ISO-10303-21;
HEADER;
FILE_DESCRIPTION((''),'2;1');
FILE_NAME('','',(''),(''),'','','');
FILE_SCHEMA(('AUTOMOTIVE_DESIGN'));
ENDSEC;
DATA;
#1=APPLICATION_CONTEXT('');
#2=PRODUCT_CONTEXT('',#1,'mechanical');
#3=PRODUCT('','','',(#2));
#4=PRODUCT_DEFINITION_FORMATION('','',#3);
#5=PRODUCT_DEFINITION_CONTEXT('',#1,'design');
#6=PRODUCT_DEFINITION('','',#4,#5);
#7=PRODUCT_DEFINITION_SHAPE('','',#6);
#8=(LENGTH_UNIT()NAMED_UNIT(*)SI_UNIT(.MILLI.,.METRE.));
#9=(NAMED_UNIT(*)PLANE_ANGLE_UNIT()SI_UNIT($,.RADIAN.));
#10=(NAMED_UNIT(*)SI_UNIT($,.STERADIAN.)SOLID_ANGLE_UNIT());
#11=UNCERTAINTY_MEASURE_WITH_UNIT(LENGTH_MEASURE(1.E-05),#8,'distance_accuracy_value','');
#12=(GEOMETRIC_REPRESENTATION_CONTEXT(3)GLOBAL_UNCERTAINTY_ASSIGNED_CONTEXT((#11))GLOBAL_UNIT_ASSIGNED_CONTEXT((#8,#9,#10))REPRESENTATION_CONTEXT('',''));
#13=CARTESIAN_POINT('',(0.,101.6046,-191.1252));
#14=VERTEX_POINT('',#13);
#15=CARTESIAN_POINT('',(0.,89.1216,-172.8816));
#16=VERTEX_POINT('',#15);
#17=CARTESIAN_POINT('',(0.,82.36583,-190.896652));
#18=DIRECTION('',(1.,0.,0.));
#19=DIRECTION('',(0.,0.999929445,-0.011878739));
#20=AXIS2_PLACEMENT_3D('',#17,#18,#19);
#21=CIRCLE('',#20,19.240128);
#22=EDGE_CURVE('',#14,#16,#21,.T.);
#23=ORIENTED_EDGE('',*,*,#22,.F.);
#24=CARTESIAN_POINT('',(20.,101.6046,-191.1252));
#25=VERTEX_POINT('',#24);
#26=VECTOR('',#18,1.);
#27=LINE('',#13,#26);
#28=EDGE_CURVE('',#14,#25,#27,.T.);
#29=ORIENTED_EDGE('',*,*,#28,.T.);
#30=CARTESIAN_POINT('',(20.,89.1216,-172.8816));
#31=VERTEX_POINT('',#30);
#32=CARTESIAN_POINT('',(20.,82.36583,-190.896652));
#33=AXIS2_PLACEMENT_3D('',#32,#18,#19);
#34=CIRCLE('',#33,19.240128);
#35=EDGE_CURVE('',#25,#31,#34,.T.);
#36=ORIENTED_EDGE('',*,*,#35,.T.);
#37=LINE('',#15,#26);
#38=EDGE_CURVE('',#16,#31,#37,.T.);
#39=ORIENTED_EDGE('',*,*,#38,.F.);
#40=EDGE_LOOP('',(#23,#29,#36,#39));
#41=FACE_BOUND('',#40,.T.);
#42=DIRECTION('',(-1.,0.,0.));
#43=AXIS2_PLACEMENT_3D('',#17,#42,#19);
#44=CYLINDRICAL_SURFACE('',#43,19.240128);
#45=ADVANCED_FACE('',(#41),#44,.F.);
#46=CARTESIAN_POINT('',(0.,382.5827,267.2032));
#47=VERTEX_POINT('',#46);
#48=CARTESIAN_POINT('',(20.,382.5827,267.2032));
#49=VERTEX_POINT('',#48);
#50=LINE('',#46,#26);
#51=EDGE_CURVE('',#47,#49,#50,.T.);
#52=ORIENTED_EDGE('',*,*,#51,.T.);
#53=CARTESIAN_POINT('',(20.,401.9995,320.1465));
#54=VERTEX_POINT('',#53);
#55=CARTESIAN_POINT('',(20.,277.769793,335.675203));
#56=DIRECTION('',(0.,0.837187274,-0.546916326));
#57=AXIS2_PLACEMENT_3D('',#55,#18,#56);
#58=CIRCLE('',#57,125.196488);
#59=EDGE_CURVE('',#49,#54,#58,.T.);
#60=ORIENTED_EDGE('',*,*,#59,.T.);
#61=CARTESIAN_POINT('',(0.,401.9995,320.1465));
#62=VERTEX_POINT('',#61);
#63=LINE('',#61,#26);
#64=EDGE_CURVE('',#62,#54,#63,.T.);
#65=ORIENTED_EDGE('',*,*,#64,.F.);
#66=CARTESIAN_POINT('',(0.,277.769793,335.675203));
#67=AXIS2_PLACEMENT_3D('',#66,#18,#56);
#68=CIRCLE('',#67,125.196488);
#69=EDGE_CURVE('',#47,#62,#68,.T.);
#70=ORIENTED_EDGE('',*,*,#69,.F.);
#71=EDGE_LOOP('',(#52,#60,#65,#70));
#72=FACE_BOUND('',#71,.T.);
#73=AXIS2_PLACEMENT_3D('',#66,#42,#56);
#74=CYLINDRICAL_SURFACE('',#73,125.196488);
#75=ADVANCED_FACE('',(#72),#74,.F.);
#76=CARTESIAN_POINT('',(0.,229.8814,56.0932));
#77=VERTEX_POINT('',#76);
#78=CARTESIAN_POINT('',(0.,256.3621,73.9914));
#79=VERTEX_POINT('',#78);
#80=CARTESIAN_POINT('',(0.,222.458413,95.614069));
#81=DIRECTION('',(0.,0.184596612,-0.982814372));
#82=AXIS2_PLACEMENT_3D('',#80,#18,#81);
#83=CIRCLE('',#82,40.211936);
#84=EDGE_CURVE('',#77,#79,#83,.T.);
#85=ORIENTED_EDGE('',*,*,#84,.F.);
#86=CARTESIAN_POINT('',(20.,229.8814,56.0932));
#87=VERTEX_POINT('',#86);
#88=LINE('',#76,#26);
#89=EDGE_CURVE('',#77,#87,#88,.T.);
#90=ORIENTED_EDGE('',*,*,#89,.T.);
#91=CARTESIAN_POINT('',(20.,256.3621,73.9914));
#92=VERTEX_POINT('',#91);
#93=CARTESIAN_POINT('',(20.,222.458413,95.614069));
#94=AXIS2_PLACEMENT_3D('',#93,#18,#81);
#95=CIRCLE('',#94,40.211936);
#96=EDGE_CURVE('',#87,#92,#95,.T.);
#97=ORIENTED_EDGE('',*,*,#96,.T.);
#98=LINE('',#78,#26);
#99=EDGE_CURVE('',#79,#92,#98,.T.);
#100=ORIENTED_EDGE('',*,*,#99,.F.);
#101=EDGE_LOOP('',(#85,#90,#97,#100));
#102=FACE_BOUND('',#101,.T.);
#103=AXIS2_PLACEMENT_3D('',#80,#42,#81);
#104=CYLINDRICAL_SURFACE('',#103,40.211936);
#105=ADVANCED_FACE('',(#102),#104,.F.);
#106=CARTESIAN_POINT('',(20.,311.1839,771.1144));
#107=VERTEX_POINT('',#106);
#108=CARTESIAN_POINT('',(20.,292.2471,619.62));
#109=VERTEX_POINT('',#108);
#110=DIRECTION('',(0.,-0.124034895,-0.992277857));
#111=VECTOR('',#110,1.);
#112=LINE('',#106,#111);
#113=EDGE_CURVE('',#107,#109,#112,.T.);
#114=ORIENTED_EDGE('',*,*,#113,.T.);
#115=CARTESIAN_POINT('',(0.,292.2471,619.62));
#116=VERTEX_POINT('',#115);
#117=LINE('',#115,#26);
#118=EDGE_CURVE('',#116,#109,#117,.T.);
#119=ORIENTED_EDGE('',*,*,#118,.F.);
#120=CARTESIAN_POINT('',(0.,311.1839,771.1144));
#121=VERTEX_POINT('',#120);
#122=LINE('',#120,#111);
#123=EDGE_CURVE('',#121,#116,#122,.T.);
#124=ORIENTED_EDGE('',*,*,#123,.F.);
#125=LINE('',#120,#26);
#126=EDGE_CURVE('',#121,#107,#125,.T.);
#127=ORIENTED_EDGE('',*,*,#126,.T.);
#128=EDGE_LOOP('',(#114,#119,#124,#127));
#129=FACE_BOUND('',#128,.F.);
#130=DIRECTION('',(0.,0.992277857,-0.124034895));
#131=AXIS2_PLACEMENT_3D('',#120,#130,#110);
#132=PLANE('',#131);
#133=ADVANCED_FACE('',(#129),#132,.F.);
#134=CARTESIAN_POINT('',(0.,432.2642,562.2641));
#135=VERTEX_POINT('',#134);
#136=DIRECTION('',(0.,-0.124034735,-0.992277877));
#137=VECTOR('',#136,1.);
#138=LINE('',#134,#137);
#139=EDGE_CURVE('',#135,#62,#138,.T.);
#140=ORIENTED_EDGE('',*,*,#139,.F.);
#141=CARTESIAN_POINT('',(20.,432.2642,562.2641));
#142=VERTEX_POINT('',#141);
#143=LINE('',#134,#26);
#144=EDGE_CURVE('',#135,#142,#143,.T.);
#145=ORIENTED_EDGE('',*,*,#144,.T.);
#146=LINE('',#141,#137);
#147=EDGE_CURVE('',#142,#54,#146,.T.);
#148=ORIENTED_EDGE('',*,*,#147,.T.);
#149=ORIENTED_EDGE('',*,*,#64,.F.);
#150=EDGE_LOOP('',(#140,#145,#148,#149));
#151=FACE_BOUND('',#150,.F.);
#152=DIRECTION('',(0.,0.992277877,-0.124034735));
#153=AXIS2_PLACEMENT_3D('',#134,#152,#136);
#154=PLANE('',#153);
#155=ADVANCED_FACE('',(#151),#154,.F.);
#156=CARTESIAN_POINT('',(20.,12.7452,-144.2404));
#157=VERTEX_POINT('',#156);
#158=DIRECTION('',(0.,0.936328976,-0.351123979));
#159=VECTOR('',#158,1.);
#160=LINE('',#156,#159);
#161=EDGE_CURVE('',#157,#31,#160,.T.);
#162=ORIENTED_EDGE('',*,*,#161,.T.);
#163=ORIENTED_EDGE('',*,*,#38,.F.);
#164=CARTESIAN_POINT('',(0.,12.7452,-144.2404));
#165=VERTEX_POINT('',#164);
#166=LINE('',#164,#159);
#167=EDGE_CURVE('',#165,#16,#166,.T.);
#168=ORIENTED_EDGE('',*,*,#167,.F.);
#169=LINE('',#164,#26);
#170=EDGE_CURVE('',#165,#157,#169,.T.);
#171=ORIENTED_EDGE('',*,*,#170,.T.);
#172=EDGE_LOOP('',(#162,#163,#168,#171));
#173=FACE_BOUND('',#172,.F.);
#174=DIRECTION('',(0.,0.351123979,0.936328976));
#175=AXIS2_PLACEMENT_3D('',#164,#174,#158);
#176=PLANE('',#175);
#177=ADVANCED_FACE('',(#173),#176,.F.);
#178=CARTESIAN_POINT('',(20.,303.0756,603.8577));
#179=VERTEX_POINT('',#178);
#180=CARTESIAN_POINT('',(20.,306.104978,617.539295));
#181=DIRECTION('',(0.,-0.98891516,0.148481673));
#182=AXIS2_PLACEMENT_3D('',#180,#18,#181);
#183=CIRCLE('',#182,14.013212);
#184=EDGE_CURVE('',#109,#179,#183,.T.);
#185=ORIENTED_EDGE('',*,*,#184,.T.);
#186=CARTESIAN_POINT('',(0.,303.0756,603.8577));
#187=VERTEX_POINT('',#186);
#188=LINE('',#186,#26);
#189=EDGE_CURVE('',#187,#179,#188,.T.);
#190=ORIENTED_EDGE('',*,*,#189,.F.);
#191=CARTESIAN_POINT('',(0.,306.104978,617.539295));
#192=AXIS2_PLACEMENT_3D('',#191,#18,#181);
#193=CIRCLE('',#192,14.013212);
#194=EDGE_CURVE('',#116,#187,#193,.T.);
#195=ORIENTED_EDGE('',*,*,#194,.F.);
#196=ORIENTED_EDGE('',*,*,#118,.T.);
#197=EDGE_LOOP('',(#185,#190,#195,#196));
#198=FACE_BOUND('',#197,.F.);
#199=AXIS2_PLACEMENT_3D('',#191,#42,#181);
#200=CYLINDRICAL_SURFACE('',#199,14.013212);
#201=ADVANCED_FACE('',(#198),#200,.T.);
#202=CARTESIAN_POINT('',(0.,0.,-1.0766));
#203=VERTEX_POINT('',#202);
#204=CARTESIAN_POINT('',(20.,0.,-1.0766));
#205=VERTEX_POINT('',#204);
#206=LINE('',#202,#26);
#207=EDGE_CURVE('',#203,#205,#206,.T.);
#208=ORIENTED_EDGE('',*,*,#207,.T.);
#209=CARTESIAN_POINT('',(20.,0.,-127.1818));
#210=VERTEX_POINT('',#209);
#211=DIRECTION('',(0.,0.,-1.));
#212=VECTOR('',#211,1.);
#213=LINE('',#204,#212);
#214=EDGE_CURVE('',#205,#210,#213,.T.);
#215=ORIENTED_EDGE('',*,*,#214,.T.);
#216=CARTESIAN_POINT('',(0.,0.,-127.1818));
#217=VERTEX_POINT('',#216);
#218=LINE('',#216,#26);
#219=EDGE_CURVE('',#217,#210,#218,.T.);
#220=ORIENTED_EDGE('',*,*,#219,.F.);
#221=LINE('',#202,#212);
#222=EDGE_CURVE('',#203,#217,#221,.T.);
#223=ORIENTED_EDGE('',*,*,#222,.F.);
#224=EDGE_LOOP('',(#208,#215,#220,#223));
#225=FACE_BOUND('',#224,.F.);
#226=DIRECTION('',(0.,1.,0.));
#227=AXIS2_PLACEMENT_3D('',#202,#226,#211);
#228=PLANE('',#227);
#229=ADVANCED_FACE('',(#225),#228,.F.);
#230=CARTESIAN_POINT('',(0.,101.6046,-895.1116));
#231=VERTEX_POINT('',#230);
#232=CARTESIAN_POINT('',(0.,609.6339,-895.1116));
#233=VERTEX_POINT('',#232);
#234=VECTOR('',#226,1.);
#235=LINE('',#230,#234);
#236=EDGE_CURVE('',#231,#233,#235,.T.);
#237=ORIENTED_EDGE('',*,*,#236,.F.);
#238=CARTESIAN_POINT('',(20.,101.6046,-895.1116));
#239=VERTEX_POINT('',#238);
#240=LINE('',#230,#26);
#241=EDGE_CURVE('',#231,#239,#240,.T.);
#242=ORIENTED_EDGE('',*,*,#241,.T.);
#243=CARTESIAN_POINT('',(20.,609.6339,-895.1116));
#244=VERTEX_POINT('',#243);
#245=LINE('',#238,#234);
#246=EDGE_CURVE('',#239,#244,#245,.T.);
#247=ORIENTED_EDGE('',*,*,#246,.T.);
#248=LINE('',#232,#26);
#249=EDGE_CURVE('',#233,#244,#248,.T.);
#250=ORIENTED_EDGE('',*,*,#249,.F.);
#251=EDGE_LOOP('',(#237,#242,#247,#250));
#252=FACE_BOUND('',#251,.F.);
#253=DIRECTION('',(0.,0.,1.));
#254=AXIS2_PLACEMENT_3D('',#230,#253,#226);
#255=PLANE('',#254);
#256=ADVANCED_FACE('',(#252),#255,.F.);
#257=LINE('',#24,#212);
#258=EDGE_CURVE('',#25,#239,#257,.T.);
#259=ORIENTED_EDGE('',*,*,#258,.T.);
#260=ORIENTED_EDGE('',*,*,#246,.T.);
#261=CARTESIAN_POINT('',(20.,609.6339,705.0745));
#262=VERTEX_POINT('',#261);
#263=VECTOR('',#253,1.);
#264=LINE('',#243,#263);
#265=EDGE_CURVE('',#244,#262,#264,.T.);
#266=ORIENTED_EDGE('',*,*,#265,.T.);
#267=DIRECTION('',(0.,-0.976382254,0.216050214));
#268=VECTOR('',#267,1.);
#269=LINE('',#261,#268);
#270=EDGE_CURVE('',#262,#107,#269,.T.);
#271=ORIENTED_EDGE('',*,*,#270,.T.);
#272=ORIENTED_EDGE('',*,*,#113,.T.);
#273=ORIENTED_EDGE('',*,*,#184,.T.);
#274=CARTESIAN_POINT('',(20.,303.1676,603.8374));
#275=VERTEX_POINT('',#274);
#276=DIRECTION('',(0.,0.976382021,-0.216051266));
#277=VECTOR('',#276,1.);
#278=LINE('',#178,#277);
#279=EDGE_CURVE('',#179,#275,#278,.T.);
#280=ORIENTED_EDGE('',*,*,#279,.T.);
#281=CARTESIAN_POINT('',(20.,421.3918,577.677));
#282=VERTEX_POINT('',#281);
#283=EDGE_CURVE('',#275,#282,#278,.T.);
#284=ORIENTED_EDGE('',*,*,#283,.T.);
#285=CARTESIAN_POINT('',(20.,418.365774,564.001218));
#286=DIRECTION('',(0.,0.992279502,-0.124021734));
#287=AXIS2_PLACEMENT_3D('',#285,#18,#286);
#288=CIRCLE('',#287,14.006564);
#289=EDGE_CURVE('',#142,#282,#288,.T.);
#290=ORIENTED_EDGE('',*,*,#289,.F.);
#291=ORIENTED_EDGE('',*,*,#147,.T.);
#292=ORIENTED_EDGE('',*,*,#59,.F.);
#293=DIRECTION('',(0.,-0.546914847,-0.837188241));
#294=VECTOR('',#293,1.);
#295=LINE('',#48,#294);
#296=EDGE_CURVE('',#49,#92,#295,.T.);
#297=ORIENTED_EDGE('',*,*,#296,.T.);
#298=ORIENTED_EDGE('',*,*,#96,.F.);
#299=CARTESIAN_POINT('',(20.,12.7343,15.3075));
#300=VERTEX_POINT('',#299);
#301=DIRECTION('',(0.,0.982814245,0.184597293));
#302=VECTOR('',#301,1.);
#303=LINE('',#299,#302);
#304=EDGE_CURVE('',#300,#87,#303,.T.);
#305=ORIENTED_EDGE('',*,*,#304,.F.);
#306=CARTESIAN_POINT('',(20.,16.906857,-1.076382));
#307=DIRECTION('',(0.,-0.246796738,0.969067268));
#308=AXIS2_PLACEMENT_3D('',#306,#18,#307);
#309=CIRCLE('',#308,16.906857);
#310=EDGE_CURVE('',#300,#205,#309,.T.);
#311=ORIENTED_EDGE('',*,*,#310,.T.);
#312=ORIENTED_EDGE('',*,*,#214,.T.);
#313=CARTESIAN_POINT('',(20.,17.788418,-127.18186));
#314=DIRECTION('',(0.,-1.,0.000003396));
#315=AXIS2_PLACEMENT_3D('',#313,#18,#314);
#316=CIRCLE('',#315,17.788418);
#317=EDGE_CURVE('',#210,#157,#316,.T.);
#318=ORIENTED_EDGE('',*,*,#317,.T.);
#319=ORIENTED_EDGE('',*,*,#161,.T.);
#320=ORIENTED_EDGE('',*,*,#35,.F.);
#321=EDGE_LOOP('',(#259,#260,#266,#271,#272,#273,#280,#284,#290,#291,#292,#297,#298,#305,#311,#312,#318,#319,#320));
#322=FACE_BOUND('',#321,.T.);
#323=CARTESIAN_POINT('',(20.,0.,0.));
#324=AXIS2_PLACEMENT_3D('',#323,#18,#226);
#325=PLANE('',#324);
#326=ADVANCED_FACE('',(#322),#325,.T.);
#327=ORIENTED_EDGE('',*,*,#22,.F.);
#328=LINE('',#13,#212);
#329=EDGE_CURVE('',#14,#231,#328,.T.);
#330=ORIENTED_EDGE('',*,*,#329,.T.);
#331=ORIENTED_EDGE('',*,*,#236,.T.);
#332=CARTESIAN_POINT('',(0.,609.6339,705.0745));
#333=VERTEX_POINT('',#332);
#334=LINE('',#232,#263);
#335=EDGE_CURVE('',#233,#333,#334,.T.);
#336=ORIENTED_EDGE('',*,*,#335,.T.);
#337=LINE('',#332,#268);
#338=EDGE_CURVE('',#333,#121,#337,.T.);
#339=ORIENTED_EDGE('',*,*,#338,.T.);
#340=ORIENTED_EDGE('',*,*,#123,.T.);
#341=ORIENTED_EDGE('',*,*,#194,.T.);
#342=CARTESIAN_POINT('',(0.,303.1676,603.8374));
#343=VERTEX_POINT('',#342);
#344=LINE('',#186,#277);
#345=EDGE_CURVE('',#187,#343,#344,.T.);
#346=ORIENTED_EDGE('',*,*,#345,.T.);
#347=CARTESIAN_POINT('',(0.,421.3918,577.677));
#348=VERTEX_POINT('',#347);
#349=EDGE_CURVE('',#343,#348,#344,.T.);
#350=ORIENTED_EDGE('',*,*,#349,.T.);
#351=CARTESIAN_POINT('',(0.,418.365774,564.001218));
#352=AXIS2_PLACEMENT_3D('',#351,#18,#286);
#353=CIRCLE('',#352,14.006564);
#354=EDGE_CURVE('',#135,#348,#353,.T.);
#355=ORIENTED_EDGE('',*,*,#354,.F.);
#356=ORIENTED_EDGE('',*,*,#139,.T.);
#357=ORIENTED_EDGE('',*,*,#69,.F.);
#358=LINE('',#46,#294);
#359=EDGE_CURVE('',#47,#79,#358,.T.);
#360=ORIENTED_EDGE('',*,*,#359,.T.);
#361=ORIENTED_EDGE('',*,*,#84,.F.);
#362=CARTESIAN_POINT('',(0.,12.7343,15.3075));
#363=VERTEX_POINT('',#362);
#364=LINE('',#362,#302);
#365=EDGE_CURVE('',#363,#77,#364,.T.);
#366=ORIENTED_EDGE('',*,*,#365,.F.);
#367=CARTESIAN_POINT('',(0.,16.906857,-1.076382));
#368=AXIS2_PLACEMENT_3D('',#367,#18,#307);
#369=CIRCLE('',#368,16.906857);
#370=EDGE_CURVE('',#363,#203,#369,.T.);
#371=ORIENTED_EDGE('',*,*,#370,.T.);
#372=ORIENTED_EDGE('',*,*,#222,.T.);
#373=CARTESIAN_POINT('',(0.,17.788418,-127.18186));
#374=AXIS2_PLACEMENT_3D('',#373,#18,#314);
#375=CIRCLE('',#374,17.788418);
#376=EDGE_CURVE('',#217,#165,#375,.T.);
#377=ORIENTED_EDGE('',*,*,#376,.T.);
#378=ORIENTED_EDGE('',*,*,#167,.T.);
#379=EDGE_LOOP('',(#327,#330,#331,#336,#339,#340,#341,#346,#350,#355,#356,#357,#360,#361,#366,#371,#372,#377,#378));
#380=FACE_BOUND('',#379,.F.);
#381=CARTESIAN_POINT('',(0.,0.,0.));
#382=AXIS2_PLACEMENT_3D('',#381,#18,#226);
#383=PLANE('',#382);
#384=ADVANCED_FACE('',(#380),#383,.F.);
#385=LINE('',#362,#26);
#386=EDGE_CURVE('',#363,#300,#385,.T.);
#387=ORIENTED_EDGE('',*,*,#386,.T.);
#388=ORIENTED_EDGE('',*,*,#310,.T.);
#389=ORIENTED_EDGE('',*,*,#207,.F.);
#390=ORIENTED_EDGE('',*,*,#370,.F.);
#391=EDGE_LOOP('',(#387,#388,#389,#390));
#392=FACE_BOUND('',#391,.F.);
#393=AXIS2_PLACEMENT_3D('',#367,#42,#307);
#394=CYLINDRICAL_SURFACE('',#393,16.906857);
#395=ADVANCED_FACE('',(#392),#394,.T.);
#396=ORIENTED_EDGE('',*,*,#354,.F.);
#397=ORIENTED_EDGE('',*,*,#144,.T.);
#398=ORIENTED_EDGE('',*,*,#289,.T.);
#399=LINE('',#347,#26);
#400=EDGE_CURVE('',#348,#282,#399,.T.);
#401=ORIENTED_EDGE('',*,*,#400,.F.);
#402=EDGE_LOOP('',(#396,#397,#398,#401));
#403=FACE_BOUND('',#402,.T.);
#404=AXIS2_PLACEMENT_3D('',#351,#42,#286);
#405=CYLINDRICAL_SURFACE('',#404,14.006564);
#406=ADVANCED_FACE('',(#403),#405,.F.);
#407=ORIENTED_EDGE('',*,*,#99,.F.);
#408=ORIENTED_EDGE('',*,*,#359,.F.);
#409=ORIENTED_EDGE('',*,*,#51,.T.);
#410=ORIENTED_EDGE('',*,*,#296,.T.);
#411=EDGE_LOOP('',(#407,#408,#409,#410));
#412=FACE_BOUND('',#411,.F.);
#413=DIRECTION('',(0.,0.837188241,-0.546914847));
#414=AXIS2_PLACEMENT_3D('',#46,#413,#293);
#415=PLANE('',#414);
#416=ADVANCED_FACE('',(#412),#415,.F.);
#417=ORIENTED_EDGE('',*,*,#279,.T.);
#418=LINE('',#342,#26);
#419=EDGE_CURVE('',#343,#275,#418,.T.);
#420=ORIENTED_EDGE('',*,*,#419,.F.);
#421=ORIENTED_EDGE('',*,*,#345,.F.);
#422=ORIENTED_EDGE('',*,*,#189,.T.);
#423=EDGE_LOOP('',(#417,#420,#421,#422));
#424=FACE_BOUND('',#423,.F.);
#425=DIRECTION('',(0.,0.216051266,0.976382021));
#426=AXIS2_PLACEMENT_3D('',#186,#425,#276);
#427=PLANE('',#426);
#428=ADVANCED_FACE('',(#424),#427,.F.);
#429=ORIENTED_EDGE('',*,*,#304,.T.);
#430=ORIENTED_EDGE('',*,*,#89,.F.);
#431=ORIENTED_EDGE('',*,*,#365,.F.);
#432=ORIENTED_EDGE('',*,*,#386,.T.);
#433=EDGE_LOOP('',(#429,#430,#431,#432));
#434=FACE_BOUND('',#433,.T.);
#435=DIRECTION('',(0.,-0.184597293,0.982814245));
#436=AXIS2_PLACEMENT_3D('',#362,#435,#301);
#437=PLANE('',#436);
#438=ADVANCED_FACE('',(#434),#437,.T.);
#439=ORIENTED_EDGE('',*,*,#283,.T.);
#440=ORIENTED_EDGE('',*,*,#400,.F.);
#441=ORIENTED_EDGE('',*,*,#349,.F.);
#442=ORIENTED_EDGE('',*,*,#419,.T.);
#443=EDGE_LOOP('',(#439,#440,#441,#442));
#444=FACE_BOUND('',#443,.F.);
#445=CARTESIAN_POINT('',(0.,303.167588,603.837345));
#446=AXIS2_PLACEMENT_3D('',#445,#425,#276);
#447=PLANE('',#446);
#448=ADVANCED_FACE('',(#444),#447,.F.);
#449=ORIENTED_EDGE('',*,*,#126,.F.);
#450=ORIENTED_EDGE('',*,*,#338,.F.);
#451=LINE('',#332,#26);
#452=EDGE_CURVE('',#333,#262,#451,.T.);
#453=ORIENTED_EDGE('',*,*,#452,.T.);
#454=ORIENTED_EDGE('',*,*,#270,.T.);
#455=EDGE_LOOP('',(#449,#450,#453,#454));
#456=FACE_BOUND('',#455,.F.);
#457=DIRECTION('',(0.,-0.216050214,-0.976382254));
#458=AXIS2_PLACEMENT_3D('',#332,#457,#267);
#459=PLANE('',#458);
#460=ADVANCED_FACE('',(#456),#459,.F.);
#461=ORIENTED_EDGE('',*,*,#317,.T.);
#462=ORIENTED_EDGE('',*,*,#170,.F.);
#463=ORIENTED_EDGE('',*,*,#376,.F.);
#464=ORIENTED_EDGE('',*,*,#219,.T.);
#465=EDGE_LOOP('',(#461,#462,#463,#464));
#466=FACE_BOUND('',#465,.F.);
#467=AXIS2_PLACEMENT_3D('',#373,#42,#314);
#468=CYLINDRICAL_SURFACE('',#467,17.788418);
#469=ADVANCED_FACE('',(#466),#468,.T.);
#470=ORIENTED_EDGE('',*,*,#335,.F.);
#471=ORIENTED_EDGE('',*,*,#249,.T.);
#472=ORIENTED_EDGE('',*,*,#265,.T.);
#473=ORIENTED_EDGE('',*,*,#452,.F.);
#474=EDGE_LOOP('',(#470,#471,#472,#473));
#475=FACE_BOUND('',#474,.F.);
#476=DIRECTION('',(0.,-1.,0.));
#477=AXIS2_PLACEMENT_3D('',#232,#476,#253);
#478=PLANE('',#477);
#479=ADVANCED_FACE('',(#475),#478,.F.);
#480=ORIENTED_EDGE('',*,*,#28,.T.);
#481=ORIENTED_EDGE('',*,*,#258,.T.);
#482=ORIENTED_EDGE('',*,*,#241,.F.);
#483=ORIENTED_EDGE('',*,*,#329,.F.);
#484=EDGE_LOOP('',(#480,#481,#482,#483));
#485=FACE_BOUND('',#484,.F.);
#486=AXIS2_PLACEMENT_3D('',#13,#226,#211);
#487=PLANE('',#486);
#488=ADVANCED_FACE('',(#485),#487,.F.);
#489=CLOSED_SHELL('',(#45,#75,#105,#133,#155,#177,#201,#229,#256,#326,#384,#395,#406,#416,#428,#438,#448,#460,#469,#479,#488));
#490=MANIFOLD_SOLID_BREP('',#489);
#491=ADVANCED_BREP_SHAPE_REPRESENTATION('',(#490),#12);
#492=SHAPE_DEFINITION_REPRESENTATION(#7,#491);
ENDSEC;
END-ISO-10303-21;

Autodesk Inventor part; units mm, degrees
ref_plane "YZ Plane" through (0, 0, 0) normal (1, 0, 0) x (0, 1, 0)
ref_plane "XZ Plane" through (0, 0, 0) normal (0, 1, 0) x (-1, 0, 0)
ref_plane "XY Plane" through (0, 0, 0) normal (0, 0, 1) x (1, 0, 0)
sketch "Sketch1" plane through (0, 0, 0) normal (1, 0, 0) x (0, 1, 0)
  line L0 (609.6339, -895.1116) -> (609.6339, 705.0745)
  line L1 (101.6046, -895.1116) -> (609.6339, -895.1116)
  line L2 (101.6046, -191.1252) -> (101.6046, -895.1116)
  line L3 (12.7452, -144.2404) -> (89.1216, -172.8816)
  line L4 (0, -1.0766) -> (0, -127.1818)
  line L5 (609.6339, 705.0745) -> (311.1839, 771.1144)
  line L6 (311.1839, 771.1144) -> (292.2034, 619.2706)
  line L7 (303.0756, 603.8577) -> (421.3918, 577.677)
  arc A0 (292.2471, 619.62) -> (303.1676, 603.8374) centre (306.105, 617.5393) ccw
  line L8 (432.2642, 562.2641) -> (401.9995, 320.1465)
  line L9 (12.7343, 15.3075) -> (229.8814, 56.0932)
  line L10 (382.5827, 267.2032) -> (256.3621, 73.9914)
  arc A1 (432.2642, 562.2641) -> (421.3918, 577.677) centre (418.3657, 564.0012) ccw
  arc A2 (382.5827, 267.2032) -> (401.9995, 320.1465) centre (277.7698, 335.6752) ccw
  arc A3 (229.8814, 56.0932) -> (256.3621, 73.9914) centre (222.4584, 95.6141) ccw
  arc A4 (12.7343, 15.3075) -> (0, -1.0766) centre (16.907, -1.0766) ccw
  arc A5 (0, -127.1818) -> (12.7452, -144.2404) centre (17.7886, -127.1818) ccw
  arc A6 (101.6046, -191.1252) -> (89.1216, -172.8816) centre (82.366, -190.8966) ccw
  point P0 (0, 0)
extrude "Extrusion1" add sketch "Sketch1" along normal blind 20
properties part number "CUT PART A"
